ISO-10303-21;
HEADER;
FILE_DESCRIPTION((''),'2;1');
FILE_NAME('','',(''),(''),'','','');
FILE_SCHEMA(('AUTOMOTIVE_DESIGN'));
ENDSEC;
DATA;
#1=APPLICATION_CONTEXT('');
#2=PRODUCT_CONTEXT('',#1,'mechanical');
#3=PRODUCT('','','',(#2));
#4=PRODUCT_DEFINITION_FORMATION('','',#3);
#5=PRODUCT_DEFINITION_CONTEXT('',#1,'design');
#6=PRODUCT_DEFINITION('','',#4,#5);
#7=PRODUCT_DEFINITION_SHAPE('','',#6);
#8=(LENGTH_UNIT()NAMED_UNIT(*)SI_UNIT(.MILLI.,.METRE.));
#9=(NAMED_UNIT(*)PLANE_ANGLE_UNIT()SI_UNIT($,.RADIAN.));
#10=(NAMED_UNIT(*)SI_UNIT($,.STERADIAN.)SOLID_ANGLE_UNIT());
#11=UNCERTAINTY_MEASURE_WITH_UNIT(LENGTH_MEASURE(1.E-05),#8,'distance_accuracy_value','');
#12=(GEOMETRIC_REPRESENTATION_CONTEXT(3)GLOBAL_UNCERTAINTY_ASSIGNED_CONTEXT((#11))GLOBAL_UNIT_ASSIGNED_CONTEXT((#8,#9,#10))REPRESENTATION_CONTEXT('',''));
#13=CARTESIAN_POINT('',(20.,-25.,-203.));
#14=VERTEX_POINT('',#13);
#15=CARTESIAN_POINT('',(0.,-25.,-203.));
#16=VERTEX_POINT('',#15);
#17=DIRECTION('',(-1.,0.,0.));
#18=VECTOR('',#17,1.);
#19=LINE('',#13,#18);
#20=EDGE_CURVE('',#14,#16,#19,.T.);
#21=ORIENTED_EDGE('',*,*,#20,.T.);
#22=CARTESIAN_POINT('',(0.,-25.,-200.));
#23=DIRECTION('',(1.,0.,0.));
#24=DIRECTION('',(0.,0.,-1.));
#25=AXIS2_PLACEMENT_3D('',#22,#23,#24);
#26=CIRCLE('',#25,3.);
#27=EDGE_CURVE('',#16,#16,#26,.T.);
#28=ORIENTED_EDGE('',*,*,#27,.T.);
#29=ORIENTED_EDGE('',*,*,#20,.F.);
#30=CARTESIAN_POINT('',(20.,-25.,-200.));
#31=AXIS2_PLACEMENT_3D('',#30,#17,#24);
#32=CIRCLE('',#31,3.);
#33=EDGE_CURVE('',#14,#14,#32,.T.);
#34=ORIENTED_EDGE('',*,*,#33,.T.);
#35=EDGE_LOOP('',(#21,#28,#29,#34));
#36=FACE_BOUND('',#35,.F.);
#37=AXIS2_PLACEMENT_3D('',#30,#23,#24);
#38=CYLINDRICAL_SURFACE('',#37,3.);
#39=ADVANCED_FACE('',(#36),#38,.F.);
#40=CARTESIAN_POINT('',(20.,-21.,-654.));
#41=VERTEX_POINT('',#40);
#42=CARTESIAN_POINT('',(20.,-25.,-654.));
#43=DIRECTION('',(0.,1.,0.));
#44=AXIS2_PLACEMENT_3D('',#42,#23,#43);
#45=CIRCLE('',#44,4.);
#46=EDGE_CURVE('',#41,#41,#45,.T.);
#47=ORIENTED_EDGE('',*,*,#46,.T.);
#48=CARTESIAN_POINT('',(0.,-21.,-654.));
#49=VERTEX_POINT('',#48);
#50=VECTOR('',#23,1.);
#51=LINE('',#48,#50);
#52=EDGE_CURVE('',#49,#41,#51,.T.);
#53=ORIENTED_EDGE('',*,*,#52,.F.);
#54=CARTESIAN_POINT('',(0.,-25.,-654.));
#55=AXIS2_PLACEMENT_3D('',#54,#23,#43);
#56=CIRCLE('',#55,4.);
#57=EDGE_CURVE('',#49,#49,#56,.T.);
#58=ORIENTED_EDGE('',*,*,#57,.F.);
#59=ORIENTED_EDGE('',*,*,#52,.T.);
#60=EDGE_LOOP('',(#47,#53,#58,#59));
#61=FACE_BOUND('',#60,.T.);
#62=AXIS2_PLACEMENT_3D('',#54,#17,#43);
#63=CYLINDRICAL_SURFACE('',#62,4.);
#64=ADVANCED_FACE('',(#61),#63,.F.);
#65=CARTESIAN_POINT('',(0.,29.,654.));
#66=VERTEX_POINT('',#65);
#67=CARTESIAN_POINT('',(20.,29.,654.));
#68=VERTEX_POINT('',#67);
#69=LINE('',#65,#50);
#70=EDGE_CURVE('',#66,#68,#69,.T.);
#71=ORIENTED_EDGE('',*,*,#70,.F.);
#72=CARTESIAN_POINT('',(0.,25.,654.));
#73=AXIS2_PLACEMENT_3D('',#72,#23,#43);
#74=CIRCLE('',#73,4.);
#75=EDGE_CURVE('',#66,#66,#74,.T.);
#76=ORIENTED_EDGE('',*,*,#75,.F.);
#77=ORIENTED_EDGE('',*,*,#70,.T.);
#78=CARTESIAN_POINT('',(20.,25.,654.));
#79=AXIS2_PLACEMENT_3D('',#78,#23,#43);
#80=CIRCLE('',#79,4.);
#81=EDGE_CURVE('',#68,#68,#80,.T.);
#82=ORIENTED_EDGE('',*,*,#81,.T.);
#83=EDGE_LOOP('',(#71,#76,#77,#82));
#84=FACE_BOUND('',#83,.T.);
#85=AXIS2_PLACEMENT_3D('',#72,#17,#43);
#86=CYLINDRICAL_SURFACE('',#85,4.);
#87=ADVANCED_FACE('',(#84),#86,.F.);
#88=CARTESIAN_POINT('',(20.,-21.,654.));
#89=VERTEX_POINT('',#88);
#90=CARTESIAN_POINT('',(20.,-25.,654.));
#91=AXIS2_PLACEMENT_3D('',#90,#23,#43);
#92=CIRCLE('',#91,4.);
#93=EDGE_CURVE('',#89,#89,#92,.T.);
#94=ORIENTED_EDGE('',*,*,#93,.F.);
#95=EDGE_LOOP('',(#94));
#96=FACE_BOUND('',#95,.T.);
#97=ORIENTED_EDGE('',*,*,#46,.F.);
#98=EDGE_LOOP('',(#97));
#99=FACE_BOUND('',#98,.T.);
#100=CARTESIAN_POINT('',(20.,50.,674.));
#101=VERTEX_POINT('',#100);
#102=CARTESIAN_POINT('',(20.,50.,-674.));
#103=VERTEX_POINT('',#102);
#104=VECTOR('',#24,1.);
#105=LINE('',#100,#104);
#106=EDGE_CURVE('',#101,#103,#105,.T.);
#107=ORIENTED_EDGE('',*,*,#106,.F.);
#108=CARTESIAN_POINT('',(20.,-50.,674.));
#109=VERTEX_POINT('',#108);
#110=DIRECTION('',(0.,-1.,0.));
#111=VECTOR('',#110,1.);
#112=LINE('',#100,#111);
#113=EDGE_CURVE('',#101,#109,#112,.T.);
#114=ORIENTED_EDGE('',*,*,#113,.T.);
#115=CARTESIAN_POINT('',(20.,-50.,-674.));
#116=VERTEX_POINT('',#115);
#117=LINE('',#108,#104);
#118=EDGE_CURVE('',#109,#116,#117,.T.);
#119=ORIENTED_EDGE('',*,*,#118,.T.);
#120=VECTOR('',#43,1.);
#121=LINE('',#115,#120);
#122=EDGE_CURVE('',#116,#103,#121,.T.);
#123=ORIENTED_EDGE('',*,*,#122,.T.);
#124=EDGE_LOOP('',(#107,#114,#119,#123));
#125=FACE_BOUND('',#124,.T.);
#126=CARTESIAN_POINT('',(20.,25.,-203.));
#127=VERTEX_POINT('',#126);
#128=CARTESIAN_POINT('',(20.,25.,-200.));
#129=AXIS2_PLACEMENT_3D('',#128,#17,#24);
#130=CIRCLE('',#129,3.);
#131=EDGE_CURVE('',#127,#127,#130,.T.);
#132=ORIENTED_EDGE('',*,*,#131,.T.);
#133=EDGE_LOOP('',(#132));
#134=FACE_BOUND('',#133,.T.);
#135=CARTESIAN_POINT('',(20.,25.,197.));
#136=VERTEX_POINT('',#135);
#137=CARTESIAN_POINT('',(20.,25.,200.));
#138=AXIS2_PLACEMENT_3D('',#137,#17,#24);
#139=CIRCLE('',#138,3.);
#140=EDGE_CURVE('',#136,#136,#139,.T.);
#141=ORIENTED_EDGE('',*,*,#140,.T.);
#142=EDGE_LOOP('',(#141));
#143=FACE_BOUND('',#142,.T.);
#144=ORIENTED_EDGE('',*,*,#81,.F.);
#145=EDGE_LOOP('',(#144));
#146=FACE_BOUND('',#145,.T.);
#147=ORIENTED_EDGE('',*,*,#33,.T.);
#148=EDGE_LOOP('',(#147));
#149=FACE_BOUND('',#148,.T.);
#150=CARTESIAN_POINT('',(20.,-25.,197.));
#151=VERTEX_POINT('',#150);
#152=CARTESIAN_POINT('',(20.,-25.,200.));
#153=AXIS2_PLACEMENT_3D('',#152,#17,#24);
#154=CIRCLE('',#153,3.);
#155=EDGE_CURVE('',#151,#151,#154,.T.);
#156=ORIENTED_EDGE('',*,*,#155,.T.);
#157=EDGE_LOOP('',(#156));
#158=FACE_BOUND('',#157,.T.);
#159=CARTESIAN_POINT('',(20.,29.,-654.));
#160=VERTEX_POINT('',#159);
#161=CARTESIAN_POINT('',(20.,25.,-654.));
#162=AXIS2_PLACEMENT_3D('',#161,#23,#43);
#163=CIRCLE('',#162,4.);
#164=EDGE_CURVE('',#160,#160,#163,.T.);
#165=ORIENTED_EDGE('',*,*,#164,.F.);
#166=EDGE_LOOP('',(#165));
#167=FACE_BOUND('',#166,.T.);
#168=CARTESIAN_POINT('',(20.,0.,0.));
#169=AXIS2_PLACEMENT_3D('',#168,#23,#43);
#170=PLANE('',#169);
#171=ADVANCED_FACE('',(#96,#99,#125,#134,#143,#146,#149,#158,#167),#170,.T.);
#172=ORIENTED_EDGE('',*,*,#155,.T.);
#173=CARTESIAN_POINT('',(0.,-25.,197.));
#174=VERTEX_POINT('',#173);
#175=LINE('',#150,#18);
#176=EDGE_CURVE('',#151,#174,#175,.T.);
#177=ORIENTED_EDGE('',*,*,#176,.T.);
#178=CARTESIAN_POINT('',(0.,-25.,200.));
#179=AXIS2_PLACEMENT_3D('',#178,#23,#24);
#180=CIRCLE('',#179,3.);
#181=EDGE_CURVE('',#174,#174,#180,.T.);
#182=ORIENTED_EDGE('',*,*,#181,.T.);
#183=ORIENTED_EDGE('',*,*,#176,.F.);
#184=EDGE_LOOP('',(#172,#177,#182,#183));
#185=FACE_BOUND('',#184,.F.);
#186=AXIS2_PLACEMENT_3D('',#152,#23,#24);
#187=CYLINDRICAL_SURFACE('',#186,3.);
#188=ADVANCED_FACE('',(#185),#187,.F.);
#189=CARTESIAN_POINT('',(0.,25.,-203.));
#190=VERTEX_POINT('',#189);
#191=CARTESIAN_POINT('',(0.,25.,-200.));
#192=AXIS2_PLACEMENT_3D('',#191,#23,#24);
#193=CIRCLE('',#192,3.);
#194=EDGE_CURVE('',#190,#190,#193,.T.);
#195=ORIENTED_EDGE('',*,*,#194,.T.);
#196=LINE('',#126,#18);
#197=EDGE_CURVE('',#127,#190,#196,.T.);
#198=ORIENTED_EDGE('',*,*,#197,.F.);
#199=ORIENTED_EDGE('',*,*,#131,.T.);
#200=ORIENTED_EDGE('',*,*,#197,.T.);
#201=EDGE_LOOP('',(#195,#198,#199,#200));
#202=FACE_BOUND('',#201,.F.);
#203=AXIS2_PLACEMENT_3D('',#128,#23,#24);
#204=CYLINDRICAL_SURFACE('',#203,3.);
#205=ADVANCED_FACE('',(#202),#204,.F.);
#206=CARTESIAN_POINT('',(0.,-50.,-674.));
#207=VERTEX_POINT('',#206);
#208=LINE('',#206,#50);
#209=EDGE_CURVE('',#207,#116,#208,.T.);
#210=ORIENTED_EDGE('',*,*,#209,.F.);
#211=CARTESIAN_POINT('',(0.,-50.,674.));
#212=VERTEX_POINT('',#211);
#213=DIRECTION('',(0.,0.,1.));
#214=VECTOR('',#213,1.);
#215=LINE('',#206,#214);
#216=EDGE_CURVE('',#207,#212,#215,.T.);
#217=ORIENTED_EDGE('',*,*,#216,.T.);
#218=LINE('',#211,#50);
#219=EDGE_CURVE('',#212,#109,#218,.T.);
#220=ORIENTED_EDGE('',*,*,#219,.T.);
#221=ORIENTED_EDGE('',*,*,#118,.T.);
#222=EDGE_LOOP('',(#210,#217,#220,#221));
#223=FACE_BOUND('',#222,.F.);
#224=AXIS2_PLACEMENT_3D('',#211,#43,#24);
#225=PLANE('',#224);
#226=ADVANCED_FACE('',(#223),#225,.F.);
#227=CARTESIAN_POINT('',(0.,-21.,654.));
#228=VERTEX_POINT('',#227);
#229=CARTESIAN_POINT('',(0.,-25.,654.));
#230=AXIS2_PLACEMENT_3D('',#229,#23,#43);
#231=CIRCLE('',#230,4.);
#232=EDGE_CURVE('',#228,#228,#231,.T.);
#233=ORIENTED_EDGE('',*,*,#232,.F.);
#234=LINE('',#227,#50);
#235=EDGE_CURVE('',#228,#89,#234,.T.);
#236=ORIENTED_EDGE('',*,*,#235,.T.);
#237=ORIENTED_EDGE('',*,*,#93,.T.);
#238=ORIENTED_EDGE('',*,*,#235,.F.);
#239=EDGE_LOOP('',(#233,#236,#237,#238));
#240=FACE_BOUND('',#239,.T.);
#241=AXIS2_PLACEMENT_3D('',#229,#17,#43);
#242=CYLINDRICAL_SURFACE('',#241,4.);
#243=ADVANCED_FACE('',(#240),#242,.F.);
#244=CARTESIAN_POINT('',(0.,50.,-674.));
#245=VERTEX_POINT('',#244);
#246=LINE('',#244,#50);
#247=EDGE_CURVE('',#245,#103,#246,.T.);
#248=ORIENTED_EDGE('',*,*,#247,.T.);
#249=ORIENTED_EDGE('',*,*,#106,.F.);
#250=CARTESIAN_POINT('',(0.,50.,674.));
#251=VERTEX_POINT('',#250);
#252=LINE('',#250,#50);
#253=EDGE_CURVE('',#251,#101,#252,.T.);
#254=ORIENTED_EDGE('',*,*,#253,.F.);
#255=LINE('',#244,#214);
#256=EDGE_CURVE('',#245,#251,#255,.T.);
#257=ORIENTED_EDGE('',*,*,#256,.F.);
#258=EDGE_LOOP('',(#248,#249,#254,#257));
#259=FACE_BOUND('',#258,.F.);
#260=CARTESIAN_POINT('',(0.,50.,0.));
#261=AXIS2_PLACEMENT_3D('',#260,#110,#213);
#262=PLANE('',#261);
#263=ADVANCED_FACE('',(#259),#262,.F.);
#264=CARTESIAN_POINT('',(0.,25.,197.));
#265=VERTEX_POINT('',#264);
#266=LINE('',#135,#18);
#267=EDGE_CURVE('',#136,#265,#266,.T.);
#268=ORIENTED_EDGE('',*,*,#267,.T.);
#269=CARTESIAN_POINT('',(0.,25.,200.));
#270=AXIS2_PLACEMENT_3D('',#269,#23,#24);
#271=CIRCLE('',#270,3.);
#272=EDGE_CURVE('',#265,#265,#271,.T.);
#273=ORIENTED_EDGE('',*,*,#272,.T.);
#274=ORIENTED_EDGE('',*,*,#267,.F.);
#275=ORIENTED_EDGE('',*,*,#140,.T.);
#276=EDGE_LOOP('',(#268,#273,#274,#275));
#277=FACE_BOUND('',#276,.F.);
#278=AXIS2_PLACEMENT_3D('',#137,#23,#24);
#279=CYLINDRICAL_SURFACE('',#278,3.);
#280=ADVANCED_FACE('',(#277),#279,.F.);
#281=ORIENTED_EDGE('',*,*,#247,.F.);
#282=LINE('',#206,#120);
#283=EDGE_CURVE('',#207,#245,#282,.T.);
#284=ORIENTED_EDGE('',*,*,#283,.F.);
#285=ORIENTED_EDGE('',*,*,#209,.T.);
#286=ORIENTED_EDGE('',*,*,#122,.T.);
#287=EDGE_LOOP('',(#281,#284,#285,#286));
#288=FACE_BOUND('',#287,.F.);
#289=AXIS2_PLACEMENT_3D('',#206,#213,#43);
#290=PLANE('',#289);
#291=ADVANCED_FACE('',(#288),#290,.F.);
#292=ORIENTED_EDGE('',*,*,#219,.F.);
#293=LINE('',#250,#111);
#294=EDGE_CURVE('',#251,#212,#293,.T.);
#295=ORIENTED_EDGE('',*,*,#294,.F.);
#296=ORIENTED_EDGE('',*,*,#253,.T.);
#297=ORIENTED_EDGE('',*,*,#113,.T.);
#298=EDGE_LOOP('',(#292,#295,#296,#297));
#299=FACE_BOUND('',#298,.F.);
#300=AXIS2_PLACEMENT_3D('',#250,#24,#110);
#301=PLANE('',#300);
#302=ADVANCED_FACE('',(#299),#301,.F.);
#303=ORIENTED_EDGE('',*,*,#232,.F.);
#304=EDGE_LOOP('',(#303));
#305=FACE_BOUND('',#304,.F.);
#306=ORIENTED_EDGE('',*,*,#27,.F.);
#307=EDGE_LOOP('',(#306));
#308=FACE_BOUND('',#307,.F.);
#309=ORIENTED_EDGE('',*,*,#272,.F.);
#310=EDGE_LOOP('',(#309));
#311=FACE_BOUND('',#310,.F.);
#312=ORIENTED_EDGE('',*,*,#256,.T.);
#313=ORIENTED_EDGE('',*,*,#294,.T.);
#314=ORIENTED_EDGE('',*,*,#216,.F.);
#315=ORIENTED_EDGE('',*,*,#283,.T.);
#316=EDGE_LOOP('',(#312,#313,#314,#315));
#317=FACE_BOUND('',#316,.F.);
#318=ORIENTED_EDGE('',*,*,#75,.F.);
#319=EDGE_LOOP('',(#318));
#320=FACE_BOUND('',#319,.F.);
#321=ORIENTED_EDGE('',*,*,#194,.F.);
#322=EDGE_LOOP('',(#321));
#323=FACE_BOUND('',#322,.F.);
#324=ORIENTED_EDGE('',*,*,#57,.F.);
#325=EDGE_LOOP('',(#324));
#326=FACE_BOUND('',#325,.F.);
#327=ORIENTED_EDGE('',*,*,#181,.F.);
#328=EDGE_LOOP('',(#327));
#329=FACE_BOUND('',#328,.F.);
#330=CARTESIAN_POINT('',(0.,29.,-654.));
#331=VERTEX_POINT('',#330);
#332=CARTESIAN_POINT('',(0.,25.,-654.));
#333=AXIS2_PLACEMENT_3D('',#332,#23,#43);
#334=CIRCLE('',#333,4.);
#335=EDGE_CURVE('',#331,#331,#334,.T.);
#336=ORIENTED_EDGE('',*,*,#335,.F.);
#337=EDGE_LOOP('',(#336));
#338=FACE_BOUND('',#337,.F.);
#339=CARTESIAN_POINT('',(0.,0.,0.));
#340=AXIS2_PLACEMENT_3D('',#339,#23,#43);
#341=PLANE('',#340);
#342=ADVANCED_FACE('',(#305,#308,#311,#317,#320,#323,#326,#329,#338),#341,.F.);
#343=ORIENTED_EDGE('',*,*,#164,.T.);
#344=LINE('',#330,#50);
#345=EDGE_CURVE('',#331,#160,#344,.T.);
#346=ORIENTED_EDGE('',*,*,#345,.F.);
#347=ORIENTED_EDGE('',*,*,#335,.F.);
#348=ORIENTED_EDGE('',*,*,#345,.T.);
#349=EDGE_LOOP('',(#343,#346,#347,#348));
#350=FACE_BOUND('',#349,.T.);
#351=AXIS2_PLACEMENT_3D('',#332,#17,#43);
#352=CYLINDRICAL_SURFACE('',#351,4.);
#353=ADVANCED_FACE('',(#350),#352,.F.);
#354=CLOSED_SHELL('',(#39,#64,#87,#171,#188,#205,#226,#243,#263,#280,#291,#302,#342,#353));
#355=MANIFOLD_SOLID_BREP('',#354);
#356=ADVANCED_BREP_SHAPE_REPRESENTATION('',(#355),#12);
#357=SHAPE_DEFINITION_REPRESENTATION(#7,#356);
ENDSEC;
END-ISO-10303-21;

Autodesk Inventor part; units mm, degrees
ref_plane "YZ Plane" through (0, 0, 0) normal (1, 0, 0) x (0, 1, 0)
ref_plane "XZ Plane" through (0, 0, 0) normal (0, 1, 0) x (-1, 0, 0)
ref_plane "XY Plane" through (0, 0, 0) normal (0, 0, 1) x (1, 0, 0)
sketch "Sketch1" plane through (0, 0, 0) normal (1, 0, 0) x (0, 1, 0)
  line L0 (50, 674) -> (-50, 674)
  line L1 (-50, 674) -> (-50, -674)
  line L2 (-50, -674) -> (50, -674)
  line L3 (50, -674) -> (50, 674)
  line L4 (50, 674) -> (-50, -674) construction
  line L5 (-50, 674) -> (50, -674) construction
  line L6 (50, 0) -> (-50, 0)
  circle A0 centre (25, 654) radius 4
  circle A1 centre (-25, 654) radius 4
  circle A2 centre (25, -654) radius 4
  circle A3 centre (-25, -654) radius 4
  point P0 (0, 0)
  dimension "d0" = 100
  dimension "d1" = 1348
  dimension "d8" = 8
  dimension "d9" = 8
  dimension "d10" = 50
  dimension "d11" = 25
  dimension "d12" = 20
extrude "Extrusion2" add sketch "Sketch1" along normal blind 20
sketch "Sketch3" plane through (20, 0, 0) normal (1, 0, 0) x (0, 0, -1)
  line L0 (-200, 25) -> (200, 25)
  line L1 (200, 25) -> (200, -25)
  line L2 (200, -25) -> (-200, -25)
  line L3 (-200, -25) -> (-200, 25)
  circle A0 centre (-200, 25) radius 3
  circle A1 centre (-200, -25) radius 3
  circle A2 centre (200, 25) radius 3
  circle A3 centre (200, -25) radius 3
  line L4 (674, 50) -> (-674, 50) projected
  point P0 (0, 0)
  dimension "d24" = 50
  dimension "d25" = 6
  dimension "d26" = 6
  dimension "d27" = 6
  dimension "d28" = 6
  dimension "d31" = 25
extrude "Extrusion4" cut sketch "Sketch3" against normal blind 50 contours L3 A0 L0 | L0 A0 L3 | A2 L1 L0 | L0 L1 A2 | A1 L2 L3 | L3 L2 A1 | A3 L2 L1 | L1 L2 A3
properties part number "feeding tank bracket"
